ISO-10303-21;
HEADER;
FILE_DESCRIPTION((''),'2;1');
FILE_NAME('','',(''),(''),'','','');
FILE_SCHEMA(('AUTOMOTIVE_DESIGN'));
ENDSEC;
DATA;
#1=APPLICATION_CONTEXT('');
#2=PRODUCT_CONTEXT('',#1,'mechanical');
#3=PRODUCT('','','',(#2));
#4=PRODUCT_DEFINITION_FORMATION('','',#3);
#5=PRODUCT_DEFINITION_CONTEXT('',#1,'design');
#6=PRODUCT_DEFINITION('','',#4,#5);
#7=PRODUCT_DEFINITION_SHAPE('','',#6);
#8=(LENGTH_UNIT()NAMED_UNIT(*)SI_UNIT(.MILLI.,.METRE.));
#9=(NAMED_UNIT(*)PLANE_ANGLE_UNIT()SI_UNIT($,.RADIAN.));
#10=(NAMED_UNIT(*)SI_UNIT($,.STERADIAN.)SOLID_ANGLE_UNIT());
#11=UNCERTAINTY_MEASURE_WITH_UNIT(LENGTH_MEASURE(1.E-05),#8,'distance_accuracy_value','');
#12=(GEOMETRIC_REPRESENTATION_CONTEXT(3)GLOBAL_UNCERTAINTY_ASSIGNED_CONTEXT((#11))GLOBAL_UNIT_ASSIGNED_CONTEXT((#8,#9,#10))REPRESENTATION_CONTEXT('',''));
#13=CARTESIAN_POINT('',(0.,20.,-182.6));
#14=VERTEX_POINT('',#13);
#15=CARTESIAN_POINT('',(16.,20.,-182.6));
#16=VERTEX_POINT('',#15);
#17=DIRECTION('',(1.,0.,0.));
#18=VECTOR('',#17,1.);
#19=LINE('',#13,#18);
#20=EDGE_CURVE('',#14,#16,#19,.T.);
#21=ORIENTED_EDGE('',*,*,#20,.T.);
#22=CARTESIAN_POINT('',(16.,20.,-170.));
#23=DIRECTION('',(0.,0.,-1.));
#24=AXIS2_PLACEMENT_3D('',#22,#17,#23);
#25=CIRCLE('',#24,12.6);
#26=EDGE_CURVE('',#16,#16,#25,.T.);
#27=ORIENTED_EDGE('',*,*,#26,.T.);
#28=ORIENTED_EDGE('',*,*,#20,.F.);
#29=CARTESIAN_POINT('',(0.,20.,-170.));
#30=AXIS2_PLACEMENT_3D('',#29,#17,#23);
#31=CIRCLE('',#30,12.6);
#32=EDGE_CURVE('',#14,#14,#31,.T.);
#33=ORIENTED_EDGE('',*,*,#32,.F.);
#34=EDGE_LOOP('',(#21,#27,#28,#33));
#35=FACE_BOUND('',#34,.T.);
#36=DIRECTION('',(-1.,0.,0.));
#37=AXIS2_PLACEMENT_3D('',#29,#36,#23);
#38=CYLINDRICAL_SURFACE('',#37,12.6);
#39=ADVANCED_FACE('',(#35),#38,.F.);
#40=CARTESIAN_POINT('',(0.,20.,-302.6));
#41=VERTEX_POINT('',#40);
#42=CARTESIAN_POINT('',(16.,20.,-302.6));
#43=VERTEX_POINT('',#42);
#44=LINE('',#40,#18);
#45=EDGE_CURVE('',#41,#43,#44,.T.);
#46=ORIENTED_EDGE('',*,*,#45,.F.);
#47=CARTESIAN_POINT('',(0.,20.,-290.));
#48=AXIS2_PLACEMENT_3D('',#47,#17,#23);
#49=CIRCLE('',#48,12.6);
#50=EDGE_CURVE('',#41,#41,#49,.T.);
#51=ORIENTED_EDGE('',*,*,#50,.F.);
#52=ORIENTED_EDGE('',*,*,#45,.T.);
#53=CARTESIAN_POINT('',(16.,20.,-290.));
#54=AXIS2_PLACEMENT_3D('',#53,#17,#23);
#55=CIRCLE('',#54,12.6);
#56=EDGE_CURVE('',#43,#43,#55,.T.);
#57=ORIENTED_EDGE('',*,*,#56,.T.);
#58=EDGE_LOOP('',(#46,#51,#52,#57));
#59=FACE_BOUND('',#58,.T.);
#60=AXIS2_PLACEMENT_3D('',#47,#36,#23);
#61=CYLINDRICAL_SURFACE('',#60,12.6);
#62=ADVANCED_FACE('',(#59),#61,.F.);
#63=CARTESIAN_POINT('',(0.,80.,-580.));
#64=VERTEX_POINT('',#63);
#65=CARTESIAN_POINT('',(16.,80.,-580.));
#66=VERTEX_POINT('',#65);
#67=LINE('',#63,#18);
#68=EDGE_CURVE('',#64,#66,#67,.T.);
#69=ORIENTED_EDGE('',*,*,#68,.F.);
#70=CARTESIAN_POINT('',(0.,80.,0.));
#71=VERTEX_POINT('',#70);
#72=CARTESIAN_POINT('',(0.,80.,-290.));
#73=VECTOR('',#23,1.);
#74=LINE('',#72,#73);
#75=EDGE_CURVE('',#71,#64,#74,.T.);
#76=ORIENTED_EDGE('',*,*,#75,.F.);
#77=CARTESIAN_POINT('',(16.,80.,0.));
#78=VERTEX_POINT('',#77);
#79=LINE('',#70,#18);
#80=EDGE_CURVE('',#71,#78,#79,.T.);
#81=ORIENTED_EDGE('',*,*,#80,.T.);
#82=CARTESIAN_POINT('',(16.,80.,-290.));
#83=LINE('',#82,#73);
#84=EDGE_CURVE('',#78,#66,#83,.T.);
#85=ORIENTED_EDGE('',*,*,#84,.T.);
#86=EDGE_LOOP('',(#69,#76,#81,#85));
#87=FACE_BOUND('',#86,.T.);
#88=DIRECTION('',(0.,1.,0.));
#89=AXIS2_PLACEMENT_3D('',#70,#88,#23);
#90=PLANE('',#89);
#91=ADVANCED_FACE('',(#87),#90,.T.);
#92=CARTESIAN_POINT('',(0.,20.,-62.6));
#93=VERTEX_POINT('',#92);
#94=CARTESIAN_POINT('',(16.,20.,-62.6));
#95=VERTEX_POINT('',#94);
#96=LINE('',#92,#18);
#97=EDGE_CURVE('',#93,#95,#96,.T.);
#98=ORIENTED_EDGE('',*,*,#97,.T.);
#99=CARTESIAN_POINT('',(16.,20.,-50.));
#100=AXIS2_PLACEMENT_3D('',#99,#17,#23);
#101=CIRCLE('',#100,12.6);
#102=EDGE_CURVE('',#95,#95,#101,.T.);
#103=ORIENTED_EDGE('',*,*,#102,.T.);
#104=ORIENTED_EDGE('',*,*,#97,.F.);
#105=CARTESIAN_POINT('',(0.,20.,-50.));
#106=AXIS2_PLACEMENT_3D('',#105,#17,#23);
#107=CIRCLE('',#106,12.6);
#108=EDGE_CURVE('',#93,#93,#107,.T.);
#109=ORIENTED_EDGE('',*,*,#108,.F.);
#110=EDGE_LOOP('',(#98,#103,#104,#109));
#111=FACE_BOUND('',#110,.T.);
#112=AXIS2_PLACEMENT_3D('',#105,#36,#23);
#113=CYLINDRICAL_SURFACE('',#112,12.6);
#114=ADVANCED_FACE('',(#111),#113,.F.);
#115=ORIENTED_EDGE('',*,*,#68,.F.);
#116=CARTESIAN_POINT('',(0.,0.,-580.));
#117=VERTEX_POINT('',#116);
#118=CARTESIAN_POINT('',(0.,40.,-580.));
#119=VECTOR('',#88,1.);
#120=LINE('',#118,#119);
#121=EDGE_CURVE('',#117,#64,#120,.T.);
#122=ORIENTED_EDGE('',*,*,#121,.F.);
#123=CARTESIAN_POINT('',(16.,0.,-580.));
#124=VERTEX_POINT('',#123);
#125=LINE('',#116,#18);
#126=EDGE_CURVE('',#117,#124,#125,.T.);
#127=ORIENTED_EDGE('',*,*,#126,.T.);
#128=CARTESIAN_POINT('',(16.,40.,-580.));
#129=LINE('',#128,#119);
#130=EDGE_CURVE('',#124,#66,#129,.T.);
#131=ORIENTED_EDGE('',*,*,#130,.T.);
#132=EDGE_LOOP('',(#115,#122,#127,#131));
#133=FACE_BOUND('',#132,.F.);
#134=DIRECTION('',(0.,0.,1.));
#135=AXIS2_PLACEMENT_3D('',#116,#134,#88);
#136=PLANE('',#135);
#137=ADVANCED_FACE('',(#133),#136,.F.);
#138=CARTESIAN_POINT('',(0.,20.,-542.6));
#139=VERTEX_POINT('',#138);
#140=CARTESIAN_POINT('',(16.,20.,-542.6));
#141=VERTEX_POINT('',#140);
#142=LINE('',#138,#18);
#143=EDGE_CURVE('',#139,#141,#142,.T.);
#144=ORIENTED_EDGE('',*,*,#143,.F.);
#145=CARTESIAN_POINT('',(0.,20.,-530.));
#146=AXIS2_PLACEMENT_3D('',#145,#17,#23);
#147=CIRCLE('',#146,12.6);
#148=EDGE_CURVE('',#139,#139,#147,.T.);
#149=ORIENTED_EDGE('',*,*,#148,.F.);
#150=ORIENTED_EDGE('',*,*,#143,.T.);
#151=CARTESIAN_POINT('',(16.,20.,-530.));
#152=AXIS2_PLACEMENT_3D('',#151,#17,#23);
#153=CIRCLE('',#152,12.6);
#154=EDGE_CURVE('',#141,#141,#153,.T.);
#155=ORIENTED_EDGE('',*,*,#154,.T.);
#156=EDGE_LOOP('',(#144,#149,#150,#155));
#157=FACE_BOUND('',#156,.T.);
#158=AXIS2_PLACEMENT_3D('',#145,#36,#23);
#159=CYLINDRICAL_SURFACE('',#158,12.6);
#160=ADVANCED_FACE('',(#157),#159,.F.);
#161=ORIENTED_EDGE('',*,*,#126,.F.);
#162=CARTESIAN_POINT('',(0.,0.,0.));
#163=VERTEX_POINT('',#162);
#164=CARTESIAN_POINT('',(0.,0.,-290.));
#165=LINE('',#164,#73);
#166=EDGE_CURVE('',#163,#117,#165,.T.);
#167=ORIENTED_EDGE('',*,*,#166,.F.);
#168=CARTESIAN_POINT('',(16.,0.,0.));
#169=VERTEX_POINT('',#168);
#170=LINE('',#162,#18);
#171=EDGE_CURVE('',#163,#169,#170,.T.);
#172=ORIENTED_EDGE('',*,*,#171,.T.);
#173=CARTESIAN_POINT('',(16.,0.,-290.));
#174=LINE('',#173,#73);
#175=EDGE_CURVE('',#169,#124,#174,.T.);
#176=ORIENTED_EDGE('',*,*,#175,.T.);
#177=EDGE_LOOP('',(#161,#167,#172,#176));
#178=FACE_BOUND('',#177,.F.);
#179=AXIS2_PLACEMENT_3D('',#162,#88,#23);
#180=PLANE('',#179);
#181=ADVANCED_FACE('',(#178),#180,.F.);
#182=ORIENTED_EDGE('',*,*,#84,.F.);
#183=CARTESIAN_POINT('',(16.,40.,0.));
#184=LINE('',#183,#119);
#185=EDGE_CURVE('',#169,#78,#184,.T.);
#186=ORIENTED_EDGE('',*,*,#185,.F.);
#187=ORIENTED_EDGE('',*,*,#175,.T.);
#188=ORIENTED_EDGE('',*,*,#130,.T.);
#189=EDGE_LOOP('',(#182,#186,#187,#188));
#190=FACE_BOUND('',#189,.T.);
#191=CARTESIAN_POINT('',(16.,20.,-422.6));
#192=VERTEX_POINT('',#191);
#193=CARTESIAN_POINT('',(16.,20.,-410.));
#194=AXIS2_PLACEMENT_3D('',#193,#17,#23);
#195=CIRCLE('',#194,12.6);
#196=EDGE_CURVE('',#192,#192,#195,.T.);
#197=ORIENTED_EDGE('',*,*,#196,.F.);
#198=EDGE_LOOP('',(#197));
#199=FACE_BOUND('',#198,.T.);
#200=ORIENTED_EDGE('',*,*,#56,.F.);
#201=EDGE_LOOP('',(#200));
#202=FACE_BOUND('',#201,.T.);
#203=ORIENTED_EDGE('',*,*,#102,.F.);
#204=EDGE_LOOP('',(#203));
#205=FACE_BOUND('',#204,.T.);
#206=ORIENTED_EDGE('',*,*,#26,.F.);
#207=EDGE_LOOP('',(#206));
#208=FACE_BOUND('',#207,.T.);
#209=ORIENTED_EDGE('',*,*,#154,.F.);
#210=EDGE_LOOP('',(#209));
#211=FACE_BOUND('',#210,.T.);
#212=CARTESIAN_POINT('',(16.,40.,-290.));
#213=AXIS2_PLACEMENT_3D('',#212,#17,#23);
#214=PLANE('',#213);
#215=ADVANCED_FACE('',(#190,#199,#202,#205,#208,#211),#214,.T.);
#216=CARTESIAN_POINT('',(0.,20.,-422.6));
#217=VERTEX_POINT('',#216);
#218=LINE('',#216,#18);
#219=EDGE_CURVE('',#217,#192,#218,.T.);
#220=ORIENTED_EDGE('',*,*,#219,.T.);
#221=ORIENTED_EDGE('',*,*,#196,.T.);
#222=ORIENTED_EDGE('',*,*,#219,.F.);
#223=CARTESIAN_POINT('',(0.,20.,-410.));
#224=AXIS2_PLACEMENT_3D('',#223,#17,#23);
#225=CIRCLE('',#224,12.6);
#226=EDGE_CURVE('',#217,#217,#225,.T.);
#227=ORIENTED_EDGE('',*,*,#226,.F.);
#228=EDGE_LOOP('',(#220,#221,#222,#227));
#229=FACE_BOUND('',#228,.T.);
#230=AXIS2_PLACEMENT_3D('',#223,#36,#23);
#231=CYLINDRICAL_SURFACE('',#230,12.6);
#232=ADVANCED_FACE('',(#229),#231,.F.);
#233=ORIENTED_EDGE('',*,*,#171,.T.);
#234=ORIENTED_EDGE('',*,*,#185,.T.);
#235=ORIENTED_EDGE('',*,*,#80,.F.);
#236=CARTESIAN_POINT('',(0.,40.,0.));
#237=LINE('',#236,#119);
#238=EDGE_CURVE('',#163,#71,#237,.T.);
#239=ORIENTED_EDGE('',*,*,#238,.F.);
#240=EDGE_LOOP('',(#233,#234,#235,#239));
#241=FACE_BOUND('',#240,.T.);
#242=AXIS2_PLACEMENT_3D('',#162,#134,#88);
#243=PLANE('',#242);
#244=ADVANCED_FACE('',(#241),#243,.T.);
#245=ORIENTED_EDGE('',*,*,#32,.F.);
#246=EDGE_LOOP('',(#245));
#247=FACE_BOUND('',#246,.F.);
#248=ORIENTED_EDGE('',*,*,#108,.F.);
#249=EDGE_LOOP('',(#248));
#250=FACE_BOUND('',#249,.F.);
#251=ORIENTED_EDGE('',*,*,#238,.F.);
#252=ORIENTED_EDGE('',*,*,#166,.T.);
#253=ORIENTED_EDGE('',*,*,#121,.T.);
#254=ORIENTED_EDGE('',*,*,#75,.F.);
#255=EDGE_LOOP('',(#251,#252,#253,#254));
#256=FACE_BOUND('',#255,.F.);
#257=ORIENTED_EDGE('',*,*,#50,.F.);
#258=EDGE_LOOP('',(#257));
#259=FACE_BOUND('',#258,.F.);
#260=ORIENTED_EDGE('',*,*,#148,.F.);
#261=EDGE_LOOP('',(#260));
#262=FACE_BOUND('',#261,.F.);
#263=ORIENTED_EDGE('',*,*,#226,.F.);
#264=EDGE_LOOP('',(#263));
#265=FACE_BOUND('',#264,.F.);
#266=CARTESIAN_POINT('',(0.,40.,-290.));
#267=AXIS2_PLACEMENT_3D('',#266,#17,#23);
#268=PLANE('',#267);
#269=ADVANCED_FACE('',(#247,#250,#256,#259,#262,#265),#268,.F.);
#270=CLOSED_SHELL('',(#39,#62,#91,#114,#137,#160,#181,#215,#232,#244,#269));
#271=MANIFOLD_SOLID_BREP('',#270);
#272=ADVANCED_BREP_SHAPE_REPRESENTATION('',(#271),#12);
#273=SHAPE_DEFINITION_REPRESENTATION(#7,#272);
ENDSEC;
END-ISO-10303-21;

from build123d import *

# Parameters (mm, degrees)
CROQUIS1_W              = 580
CROQUIS1_H              = 80
CROQUIS1_R              = 12.6
SALIENTE_EXTRUIR1_DEPTH = 16


with BuildPart() as part:
    # Croquis1 → Saliente-Extruir1 (new body)
    with BuildSketch(Plane(origin=(0, 0, 0), x_dir=(0, 0, -1), z_dir=(1, 0, 0))):
        with Locations((290, 40)):
            Rectangle(CROQUIS1_W, CROQUIS1_H)
        with Locations((50, 20)):
            Circle(CROQUIS1_R, mode=Mode.SUBTRACT)
        with Locations((170, 20)):
            Circle(CROQUIS1_R, mode=Mode.SUBTRACT)
        with Locations((290, 20)):
            Circle(CROQUIS1_R, mode=Mode.SUBTRACT)
        with Locations((410, 20)):
            Circle(CROQUIS1_R, mode=Mode.SUBTRACT)
        with Locations((530, 20)):
            Circle(CROQUIS1_R, mode=Mode.SUBTRACT)
    extrude(amount=SALIENTE_EXTRUIR1_DEPTH)


solid = part.part
